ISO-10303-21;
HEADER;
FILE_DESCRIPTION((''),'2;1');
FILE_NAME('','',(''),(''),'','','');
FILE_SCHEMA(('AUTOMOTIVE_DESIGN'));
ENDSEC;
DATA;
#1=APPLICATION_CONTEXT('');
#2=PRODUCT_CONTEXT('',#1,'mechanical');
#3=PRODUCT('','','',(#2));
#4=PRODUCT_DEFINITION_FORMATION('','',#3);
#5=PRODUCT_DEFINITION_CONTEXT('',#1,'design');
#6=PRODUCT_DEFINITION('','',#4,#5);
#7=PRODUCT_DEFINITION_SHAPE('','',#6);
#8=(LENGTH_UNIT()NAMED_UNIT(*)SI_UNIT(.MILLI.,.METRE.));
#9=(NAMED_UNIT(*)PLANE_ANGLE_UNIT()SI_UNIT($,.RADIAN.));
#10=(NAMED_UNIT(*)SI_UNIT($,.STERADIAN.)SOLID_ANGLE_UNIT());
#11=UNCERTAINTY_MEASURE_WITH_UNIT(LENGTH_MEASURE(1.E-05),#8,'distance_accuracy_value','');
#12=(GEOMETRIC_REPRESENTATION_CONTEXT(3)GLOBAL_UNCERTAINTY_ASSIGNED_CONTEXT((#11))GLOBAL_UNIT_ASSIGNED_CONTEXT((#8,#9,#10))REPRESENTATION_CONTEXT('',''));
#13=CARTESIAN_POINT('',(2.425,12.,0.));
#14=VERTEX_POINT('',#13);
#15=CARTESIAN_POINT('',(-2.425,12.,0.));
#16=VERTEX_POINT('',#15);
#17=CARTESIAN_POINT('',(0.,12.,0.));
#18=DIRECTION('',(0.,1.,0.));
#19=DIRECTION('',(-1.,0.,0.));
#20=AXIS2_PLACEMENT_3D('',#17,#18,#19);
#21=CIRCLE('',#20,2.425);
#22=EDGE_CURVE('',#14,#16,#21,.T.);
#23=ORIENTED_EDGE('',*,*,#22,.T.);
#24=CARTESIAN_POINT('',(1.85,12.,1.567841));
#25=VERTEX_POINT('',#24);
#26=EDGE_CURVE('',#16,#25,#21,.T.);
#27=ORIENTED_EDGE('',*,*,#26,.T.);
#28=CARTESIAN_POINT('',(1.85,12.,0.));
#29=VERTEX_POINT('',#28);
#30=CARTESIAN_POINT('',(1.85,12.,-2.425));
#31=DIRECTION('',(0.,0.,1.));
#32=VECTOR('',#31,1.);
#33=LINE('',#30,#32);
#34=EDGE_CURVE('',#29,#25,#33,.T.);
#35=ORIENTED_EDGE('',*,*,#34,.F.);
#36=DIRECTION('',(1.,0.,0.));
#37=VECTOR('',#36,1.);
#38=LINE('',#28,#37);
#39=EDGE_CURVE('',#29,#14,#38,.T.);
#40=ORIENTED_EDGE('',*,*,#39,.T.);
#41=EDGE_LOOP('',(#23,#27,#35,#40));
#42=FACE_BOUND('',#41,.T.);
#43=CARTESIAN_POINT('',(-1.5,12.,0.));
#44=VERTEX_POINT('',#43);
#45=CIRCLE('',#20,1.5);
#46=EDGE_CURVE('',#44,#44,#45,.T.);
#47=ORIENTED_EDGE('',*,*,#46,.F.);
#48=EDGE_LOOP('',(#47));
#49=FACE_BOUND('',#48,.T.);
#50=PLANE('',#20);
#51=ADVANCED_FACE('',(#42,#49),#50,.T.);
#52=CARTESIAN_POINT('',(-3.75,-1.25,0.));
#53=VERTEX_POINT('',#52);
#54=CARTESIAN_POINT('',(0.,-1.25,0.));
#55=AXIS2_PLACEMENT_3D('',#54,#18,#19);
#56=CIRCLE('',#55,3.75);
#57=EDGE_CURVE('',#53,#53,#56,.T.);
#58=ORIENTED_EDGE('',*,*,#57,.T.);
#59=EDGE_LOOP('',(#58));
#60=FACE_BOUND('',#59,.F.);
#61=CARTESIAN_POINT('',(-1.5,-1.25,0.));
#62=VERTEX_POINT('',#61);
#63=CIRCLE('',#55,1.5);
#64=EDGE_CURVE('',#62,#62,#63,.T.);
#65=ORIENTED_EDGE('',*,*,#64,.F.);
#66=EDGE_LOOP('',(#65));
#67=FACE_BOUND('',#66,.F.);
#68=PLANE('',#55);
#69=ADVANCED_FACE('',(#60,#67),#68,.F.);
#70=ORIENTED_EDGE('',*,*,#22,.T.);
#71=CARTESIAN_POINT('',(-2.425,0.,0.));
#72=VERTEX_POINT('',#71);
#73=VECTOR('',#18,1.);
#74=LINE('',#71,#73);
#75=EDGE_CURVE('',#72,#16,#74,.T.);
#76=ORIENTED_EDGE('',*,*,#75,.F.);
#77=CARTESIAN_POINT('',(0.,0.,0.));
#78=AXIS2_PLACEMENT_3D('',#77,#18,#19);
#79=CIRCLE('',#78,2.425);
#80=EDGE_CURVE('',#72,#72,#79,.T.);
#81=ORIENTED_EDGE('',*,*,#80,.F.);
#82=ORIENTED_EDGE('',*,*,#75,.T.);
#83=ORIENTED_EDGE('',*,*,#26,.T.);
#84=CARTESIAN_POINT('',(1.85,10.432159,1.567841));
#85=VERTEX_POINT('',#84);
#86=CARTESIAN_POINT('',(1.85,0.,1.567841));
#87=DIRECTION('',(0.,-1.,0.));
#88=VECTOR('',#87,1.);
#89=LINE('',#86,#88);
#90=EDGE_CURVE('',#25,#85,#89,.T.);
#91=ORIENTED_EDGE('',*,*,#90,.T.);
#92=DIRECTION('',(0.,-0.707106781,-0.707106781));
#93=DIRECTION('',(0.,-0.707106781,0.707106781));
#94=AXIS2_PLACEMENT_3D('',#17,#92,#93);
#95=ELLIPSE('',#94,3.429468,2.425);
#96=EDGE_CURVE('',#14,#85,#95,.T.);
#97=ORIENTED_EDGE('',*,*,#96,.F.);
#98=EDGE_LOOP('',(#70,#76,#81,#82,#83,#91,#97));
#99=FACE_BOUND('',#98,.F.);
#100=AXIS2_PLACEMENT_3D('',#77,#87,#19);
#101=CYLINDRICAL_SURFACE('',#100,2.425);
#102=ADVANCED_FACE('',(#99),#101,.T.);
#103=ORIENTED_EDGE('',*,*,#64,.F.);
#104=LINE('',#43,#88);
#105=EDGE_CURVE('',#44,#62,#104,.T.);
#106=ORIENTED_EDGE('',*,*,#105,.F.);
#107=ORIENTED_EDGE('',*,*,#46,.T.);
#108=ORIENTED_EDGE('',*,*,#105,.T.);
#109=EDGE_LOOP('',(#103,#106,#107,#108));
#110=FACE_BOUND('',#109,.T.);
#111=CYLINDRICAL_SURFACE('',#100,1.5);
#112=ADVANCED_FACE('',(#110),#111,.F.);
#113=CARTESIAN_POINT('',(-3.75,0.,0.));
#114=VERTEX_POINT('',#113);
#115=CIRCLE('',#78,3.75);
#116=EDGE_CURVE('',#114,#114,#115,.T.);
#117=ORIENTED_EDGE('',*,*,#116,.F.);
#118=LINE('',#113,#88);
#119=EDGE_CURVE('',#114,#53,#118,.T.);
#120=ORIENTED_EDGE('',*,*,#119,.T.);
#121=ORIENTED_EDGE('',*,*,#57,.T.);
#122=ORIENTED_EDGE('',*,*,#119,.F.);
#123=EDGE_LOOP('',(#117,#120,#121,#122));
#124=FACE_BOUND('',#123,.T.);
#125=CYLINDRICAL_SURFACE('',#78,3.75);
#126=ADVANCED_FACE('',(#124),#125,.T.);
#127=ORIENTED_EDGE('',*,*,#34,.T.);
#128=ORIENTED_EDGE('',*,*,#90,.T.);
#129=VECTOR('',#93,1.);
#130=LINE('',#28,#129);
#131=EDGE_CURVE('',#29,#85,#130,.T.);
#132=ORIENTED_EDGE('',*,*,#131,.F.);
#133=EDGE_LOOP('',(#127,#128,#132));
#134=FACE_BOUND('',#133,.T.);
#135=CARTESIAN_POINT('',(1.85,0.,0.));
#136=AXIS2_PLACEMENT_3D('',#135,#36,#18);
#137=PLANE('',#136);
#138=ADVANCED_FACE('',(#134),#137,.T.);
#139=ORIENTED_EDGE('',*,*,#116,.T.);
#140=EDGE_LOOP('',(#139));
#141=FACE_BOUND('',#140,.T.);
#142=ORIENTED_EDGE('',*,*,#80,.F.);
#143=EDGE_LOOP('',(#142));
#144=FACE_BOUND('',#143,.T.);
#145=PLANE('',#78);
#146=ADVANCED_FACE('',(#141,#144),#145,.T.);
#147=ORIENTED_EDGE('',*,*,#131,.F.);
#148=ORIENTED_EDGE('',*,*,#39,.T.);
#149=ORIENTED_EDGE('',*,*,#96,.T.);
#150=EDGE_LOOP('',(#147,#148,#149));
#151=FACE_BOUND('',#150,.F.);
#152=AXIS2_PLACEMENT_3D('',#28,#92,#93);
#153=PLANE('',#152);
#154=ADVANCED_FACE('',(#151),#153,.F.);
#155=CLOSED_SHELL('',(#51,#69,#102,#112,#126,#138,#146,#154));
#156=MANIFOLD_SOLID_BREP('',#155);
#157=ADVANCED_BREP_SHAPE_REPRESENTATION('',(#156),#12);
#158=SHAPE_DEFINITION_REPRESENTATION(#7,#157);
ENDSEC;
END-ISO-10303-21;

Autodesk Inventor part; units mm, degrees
ref_plane "XZ Plane" through (0, 0, 0) normal (0, 1, 0) x (-1, 0, 0)
ref_plane "XY Plane" through (0, 0, 0) normal (0, 0, 1) x (1, 0, 0)
sketch "Эскиз1" plane through (0, 0, 0) normal (0, 1, 0) x (-1, 0, 0)
  circle A0 centre (0, 0) radius 3.75
  circle A1 centre (0, 0) radius 2.425
  circle A2 centre (0, 0) radius 1.5
  dimension "d0" = 4.85
  dimension "d1" = 7.5
  dimension "d2" = 3
extrude "Выдавливание1" add sketch "Эскиз1" along normal blind 12 contours A1
extrude "Выдавливание2" add sketch "Эскиз1" against normal blind 1.25 contours A0 | A1
ref_plane "РабПлоскость1" through (1.85, 0, 0) normal (1, 0, 0) x (0, 1, 0)
sketch "Эскиз2" plane through (1.85, 0, 0) normal (1, 0, 0) x (0, 1, 0)
  line L0 (12, -2.425) -> (12, 2.425) projected
  line L1 (0, -2.425) -> (0, 2.425) projected
  line L2 (12, -2.425) -> (12, 2.425) projected
  line L3 (0, -2.425) -> (0, 2.425) projected
  line L4 (12, 0) -> (9.575, 2.425)
  line L5 (0, 2.425) -> (12, 2.425) projected
  line L6 (12, 0) -> (15.4295, 0) construction
  line L7 (9.575, 2.425) -> (12, 2.425)
  point P0 (0, 0)
  dimension "d8" = 135
extrude "Выдавливание3" cut sketch "Эскиз2" along normal blind 10
properties part number "Штырь"
